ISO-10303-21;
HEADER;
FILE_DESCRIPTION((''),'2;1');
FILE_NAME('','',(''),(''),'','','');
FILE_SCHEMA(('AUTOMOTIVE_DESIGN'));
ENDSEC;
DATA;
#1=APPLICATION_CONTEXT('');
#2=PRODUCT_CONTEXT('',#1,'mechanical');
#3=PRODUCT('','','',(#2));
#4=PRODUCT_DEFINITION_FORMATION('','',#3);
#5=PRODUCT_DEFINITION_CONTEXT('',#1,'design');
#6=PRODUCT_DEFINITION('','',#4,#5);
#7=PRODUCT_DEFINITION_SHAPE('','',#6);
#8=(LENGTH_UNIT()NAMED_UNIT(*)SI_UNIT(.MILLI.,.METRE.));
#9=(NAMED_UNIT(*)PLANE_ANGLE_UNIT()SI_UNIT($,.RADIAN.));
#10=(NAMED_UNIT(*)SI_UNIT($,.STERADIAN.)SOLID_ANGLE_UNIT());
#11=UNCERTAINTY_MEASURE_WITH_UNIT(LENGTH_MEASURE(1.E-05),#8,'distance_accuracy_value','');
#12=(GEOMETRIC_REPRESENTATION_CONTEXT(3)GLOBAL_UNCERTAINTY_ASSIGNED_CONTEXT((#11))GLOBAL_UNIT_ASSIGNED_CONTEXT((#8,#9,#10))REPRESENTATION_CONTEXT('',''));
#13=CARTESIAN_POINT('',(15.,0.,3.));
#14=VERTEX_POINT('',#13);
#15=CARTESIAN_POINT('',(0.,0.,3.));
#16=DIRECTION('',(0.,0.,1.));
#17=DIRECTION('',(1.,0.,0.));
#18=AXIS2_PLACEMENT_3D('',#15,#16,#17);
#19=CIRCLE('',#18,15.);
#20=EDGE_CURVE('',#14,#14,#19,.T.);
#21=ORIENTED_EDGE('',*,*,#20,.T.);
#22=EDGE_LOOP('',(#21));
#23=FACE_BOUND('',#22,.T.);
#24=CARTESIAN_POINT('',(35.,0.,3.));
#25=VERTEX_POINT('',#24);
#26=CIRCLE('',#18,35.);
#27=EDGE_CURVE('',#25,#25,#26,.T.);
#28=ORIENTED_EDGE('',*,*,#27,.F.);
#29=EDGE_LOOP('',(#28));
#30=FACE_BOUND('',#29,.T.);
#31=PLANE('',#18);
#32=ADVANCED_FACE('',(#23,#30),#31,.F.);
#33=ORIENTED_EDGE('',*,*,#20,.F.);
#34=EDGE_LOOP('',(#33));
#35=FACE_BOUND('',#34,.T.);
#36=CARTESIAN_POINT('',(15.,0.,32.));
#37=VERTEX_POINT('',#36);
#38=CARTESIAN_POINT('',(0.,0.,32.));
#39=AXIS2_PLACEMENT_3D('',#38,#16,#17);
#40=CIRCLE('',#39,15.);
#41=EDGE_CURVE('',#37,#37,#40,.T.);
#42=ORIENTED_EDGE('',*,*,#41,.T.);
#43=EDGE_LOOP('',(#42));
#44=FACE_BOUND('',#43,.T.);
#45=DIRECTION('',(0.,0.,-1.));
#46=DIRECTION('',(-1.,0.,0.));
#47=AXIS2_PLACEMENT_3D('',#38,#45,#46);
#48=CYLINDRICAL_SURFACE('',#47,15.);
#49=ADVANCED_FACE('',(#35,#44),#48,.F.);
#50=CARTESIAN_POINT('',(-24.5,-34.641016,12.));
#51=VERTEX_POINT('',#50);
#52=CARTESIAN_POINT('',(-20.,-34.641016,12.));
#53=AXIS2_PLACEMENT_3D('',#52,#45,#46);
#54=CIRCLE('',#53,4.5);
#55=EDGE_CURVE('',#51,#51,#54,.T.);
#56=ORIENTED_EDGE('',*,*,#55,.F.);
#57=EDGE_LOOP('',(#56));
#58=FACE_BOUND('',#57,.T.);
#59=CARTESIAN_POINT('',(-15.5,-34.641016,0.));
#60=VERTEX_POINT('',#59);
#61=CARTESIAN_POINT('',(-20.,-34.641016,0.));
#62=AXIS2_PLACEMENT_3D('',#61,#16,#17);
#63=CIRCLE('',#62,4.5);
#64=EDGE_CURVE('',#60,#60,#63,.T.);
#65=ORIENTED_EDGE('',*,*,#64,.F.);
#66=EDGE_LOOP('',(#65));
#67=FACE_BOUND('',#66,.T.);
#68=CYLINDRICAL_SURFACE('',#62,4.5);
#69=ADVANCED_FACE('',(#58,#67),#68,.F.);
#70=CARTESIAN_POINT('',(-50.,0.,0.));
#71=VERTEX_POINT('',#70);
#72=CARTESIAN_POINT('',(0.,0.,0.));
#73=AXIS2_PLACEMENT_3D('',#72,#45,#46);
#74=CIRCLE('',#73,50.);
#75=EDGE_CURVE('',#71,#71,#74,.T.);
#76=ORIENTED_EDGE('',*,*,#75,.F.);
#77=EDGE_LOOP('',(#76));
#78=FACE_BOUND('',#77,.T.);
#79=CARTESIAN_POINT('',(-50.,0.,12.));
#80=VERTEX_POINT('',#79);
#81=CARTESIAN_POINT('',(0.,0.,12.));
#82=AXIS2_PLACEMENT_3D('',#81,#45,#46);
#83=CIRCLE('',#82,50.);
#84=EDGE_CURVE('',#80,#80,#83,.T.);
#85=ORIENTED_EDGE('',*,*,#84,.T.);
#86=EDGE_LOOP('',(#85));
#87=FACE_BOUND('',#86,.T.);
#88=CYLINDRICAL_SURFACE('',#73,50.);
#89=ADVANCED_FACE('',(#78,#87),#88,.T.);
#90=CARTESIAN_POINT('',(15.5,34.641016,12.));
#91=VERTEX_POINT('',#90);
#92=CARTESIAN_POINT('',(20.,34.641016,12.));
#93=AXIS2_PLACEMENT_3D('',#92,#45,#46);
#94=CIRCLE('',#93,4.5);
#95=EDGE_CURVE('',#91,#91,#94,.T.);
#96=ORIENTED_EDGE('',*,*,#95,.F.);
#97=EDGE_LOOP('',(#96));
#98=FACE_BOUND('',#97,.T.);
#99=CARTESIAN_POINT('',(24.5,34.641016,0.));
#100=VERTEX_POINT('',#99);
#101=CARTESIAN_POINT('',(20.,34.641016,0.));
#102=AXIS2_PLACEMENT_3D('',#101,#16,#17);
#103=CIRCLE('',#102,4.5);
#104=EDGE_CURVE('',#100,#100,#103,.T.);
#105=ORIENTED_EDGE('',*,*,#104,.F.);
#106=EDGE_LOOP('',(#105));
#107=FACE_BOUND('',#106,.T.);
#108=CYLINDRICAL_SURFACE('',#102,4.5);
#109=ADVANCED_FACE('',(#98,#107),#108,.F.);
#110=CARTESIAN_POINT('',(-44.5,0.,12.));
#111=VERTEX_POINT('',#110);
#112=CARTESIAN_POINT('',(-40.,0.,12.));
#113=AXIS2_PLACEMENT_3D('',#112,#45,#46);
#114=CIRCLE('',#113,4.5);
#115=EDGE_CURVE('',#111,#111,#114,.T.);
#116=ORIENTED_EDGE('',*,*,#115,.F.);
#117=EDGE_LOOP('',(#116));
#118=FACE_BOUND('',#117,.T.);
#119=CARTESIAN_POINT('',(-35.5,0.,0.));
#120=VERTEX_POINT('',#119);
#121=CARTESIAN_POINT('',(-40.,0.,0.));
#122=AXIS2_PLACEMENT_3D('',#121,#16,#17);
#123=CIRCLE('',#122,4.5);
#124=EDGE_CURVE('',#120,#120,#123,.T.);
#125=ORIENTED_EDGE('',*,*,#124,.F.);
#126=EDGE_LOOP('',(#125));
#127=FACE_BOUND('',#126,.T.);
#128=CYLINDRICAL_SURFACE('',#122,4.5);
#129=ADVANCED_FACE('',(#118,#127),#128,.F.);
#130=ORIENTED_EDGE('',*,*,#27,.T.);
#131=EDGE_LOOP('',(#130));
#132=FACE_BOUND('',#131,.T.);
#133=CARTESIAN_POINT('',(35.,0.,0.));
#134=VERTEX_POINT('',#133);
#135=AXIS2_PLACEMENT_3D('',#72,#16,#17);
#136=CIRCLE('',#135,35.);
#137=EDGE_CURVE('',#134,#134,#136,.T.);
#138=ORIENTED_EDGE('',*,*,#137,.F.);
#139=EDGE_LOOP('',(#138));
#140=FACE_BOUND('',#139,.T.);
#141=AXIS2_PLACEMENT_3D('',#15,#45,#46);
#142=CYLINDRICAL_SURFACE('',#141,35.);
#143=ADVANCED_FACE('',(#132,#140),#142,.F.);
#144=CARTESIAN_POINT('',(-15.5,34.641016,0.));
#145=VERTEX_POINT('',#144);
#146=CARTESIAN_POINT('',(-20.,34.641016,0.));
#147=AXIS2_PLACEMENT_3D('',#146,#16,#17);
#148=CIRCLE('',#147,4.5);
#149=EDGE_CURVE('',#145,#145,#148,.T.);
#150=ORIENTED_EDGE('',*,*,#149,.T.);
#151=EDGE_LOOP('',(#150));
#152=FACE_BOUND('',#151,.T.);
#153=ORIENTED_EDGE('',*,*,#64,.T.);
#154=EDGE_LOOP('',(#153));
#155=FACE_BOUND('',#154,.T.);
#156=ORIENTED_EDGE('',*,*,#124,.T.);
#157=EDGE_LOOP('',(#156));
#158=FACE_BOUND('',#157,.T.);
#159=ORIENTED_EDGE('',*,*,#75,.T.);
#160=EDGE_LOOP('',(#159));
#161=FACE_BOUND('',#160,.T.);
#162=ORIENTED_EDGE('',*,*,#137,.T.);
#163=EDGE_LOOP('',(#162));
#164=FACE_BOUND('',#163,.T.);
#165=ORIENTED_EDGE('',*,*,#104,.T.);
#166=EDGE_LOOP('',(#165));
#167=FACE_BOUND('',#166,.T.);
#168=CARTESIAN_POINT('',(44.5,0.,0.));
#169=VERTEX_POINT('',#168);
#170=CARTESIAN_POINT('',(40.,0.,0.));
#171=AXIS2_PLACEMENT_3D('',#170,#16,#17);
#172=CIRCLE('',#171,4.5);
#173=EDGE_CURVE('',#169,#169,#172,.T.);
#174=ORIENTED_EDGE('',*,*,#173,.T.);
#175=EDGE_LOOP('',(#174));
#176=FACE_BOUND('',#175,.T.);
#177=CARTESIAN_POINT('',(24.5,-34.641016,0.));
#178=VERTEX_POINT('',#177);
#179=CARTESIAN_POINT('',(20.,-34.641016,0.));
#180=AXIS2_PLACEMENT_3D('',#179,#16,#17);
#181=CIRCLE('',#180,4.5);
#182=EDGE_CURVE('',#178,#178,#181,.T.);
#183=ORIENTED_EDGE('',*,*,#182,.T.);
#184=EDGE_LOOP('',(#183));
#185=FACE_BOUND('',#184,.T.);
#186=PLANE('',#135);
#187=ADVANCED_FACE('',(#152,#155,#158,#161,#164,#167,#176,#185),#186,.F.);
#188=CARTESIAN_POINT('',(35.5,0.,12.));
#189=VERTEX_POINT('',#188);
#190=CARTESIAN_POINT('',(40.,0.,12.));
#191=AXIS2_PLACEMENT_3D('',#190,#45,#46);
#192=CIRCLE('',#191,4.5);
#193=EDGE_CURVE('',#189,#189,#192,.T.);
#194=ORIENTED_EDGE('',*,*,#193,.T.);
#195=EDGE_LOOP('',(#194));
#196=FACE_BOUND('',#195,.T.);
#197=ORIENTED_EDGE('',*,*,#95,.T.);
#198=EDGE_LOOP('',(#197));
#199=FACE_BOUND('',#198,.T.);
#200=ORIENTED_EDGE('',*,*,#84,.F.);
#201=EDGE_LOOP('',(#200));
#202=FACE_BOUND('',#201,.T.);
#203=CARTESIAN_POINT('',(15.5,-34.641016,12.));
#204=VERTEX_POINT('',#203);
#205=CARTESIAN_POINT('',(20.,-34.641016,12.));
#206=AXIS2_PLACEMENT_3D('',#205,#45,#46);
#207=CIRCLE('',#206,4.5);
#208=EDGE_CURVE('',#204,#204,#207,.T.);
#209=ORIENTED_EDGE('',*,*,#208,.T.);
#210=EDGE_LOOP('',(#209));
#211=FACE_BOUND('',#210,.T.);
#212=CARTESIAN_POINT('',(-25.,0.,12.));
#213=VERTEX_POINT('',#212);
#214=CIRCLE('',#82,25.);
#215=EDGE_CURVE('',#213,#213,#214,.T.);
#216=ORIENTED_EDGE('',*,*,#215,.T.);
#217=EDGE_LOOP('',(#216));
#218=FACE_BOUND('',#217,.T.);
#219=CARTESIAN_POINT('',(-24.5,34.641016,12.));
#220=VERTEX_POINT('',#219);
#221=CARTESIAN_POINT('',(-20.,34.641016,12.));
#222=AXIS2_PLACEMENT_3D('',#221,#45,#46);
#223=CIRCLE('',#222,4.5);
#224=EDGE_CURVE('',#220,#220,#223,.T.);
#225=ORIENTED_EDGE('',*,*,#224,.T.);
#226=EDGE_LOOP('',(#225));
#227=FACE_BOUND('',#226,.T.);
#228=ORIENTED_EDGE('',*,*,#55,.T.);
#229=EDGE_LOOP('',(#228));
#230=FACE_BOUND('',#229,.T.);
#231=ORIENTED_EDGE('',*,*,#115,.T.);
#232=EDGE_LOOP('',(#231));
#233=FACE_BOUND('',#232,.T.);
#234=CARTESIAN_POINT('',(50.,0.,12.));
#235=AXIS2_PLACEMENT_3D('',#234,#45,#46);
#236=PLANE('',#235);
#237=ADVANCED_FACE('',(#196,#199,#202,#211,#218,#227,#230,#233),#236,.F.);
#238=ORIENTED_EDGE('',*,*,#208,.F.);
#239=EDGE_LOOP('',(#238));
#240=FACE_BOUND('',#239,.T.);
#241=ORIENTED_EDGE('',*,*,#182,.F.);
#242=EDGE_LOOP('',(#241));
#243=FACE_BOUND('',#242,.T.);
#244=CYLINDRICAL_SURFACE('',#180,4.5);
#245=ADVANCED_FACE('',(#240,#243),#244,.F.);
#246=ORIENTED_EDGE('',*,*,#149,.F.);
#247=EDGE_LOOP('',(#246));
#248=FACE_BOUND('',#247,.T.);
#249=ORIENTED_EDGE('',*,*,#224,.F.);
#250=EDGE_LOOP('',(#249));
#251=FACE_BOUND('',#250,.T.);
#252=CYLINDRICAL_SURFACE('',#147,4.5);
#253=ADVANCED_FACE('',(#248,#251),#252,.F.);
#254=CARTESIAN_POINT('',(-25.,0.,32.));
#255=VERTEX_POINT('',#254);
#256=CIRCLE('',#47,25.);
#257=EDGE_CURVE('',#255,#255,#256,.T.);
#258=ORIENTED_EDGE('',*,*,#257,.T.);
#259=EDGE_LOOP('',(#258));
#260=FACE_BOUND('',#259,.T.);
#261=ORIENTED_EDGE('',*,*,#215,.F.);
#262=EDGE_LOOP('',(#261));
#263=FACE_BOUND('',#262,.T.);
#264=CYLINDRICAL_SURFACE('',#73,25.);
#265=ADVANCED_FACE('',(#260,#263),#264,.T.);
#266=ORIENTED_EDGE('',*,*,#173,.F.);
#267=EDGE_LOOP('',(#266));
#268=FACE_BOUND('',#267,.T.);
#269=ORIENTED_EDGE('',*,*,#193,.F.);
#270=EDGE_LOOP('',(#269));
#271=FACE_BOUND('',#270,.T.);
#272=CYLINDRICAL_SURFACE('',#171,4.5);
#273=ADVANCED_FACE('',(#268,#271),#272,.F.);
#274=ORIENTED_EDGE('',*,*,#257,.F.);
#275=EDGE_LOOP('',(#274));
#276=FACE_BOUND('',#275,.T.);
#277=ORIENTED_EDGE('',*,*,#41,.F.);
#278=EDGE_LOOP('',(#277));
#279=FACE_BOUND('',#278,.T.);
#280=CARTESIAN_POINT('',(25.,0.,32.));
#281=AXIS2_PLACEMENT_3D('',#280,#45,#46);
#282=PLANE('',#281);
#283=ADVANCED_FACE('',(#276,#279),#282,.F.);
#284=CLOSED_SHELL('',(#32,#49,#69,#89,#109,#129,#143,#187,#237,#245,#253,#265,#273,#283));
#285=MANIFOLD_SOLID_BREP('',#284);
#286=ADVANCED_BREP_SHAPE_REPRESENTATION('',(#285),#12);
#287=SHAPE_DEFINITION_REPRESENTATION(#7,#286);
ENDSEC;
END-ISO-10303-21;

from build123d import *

# Parameters (mm, degrees)
SKETCH_2_R          = 15
CUT_EXTRUDE_1_DEPTH = 78.614431648
SKETCH_3_R          = 35
CUT_EXTRUDE_2_DEPTH = 3
SKETCH_4_R          = 4.5
CUT_EXTRUDE_3_DEPTH = 78.614431648


with BuildPart() as part:
    # 草图1 → 旋转1 (revolve)
    with BuildSketch(Plane(origin=(0, 0, 0), x_dir=(1, 0, 0), z_dir=(0, 1, 0)), mode=Mode.PRIVATE) as revolve_1_sk:
        Polygon((0, 0), (50, 0), (50, -12), (25, -12), (25, -32), (0, -32), align=None)
    revolve(revolve_1_sk.sketch.rotate(Axis((0, 0, 0), (0, 0, 1)), 180), axis=Axis((0, 0, 0), (0, 0, 1)))

    # 草图2 → 切除-拉伸1 (cut, through all)
    with BuildSketch(Plane.XY):
        Circle(SKETCH_2_R)
    extrude(amount=CUT_EXTRUDE_1_DEPTH, mode=Mode.SUBTRACT)

    # 草图3 → 切除-拉伸2 (cut)
    with BuildSketch(Plane.XY):
        Circle(SKETCH_3_R)
    extrude(amount=CUT_EXTRUDE_2_DEPTH, mode=Mode.SUBTRACT)

    # 草图4 → 切除-拉伸3 (cut, through all)
    with BuildSketch(Plane.XY.offset(32)):
        with Locations((40, 0)):
            Circle(SKETCH_4_R)
        with Locations((20, 34.641016)):
            Circle(SKETCH_4_R)
        with Locations((-20, 34.641016)):
            Circle(SKETCH_4_R)
        with Locations((-40, 0)):
            Circle(SKETCH_4_R)
        with Locations((-20, -34.641016)):
            Circle(SKETCH_4_R)
        with Locations((20, -34.641016)):
            Circle(SKETCH_4_R)
    extrude(amount=-CUT_EXTRUDE_3_DEPTH, mode=Mode.SUBTRACT)


solid = part.part
